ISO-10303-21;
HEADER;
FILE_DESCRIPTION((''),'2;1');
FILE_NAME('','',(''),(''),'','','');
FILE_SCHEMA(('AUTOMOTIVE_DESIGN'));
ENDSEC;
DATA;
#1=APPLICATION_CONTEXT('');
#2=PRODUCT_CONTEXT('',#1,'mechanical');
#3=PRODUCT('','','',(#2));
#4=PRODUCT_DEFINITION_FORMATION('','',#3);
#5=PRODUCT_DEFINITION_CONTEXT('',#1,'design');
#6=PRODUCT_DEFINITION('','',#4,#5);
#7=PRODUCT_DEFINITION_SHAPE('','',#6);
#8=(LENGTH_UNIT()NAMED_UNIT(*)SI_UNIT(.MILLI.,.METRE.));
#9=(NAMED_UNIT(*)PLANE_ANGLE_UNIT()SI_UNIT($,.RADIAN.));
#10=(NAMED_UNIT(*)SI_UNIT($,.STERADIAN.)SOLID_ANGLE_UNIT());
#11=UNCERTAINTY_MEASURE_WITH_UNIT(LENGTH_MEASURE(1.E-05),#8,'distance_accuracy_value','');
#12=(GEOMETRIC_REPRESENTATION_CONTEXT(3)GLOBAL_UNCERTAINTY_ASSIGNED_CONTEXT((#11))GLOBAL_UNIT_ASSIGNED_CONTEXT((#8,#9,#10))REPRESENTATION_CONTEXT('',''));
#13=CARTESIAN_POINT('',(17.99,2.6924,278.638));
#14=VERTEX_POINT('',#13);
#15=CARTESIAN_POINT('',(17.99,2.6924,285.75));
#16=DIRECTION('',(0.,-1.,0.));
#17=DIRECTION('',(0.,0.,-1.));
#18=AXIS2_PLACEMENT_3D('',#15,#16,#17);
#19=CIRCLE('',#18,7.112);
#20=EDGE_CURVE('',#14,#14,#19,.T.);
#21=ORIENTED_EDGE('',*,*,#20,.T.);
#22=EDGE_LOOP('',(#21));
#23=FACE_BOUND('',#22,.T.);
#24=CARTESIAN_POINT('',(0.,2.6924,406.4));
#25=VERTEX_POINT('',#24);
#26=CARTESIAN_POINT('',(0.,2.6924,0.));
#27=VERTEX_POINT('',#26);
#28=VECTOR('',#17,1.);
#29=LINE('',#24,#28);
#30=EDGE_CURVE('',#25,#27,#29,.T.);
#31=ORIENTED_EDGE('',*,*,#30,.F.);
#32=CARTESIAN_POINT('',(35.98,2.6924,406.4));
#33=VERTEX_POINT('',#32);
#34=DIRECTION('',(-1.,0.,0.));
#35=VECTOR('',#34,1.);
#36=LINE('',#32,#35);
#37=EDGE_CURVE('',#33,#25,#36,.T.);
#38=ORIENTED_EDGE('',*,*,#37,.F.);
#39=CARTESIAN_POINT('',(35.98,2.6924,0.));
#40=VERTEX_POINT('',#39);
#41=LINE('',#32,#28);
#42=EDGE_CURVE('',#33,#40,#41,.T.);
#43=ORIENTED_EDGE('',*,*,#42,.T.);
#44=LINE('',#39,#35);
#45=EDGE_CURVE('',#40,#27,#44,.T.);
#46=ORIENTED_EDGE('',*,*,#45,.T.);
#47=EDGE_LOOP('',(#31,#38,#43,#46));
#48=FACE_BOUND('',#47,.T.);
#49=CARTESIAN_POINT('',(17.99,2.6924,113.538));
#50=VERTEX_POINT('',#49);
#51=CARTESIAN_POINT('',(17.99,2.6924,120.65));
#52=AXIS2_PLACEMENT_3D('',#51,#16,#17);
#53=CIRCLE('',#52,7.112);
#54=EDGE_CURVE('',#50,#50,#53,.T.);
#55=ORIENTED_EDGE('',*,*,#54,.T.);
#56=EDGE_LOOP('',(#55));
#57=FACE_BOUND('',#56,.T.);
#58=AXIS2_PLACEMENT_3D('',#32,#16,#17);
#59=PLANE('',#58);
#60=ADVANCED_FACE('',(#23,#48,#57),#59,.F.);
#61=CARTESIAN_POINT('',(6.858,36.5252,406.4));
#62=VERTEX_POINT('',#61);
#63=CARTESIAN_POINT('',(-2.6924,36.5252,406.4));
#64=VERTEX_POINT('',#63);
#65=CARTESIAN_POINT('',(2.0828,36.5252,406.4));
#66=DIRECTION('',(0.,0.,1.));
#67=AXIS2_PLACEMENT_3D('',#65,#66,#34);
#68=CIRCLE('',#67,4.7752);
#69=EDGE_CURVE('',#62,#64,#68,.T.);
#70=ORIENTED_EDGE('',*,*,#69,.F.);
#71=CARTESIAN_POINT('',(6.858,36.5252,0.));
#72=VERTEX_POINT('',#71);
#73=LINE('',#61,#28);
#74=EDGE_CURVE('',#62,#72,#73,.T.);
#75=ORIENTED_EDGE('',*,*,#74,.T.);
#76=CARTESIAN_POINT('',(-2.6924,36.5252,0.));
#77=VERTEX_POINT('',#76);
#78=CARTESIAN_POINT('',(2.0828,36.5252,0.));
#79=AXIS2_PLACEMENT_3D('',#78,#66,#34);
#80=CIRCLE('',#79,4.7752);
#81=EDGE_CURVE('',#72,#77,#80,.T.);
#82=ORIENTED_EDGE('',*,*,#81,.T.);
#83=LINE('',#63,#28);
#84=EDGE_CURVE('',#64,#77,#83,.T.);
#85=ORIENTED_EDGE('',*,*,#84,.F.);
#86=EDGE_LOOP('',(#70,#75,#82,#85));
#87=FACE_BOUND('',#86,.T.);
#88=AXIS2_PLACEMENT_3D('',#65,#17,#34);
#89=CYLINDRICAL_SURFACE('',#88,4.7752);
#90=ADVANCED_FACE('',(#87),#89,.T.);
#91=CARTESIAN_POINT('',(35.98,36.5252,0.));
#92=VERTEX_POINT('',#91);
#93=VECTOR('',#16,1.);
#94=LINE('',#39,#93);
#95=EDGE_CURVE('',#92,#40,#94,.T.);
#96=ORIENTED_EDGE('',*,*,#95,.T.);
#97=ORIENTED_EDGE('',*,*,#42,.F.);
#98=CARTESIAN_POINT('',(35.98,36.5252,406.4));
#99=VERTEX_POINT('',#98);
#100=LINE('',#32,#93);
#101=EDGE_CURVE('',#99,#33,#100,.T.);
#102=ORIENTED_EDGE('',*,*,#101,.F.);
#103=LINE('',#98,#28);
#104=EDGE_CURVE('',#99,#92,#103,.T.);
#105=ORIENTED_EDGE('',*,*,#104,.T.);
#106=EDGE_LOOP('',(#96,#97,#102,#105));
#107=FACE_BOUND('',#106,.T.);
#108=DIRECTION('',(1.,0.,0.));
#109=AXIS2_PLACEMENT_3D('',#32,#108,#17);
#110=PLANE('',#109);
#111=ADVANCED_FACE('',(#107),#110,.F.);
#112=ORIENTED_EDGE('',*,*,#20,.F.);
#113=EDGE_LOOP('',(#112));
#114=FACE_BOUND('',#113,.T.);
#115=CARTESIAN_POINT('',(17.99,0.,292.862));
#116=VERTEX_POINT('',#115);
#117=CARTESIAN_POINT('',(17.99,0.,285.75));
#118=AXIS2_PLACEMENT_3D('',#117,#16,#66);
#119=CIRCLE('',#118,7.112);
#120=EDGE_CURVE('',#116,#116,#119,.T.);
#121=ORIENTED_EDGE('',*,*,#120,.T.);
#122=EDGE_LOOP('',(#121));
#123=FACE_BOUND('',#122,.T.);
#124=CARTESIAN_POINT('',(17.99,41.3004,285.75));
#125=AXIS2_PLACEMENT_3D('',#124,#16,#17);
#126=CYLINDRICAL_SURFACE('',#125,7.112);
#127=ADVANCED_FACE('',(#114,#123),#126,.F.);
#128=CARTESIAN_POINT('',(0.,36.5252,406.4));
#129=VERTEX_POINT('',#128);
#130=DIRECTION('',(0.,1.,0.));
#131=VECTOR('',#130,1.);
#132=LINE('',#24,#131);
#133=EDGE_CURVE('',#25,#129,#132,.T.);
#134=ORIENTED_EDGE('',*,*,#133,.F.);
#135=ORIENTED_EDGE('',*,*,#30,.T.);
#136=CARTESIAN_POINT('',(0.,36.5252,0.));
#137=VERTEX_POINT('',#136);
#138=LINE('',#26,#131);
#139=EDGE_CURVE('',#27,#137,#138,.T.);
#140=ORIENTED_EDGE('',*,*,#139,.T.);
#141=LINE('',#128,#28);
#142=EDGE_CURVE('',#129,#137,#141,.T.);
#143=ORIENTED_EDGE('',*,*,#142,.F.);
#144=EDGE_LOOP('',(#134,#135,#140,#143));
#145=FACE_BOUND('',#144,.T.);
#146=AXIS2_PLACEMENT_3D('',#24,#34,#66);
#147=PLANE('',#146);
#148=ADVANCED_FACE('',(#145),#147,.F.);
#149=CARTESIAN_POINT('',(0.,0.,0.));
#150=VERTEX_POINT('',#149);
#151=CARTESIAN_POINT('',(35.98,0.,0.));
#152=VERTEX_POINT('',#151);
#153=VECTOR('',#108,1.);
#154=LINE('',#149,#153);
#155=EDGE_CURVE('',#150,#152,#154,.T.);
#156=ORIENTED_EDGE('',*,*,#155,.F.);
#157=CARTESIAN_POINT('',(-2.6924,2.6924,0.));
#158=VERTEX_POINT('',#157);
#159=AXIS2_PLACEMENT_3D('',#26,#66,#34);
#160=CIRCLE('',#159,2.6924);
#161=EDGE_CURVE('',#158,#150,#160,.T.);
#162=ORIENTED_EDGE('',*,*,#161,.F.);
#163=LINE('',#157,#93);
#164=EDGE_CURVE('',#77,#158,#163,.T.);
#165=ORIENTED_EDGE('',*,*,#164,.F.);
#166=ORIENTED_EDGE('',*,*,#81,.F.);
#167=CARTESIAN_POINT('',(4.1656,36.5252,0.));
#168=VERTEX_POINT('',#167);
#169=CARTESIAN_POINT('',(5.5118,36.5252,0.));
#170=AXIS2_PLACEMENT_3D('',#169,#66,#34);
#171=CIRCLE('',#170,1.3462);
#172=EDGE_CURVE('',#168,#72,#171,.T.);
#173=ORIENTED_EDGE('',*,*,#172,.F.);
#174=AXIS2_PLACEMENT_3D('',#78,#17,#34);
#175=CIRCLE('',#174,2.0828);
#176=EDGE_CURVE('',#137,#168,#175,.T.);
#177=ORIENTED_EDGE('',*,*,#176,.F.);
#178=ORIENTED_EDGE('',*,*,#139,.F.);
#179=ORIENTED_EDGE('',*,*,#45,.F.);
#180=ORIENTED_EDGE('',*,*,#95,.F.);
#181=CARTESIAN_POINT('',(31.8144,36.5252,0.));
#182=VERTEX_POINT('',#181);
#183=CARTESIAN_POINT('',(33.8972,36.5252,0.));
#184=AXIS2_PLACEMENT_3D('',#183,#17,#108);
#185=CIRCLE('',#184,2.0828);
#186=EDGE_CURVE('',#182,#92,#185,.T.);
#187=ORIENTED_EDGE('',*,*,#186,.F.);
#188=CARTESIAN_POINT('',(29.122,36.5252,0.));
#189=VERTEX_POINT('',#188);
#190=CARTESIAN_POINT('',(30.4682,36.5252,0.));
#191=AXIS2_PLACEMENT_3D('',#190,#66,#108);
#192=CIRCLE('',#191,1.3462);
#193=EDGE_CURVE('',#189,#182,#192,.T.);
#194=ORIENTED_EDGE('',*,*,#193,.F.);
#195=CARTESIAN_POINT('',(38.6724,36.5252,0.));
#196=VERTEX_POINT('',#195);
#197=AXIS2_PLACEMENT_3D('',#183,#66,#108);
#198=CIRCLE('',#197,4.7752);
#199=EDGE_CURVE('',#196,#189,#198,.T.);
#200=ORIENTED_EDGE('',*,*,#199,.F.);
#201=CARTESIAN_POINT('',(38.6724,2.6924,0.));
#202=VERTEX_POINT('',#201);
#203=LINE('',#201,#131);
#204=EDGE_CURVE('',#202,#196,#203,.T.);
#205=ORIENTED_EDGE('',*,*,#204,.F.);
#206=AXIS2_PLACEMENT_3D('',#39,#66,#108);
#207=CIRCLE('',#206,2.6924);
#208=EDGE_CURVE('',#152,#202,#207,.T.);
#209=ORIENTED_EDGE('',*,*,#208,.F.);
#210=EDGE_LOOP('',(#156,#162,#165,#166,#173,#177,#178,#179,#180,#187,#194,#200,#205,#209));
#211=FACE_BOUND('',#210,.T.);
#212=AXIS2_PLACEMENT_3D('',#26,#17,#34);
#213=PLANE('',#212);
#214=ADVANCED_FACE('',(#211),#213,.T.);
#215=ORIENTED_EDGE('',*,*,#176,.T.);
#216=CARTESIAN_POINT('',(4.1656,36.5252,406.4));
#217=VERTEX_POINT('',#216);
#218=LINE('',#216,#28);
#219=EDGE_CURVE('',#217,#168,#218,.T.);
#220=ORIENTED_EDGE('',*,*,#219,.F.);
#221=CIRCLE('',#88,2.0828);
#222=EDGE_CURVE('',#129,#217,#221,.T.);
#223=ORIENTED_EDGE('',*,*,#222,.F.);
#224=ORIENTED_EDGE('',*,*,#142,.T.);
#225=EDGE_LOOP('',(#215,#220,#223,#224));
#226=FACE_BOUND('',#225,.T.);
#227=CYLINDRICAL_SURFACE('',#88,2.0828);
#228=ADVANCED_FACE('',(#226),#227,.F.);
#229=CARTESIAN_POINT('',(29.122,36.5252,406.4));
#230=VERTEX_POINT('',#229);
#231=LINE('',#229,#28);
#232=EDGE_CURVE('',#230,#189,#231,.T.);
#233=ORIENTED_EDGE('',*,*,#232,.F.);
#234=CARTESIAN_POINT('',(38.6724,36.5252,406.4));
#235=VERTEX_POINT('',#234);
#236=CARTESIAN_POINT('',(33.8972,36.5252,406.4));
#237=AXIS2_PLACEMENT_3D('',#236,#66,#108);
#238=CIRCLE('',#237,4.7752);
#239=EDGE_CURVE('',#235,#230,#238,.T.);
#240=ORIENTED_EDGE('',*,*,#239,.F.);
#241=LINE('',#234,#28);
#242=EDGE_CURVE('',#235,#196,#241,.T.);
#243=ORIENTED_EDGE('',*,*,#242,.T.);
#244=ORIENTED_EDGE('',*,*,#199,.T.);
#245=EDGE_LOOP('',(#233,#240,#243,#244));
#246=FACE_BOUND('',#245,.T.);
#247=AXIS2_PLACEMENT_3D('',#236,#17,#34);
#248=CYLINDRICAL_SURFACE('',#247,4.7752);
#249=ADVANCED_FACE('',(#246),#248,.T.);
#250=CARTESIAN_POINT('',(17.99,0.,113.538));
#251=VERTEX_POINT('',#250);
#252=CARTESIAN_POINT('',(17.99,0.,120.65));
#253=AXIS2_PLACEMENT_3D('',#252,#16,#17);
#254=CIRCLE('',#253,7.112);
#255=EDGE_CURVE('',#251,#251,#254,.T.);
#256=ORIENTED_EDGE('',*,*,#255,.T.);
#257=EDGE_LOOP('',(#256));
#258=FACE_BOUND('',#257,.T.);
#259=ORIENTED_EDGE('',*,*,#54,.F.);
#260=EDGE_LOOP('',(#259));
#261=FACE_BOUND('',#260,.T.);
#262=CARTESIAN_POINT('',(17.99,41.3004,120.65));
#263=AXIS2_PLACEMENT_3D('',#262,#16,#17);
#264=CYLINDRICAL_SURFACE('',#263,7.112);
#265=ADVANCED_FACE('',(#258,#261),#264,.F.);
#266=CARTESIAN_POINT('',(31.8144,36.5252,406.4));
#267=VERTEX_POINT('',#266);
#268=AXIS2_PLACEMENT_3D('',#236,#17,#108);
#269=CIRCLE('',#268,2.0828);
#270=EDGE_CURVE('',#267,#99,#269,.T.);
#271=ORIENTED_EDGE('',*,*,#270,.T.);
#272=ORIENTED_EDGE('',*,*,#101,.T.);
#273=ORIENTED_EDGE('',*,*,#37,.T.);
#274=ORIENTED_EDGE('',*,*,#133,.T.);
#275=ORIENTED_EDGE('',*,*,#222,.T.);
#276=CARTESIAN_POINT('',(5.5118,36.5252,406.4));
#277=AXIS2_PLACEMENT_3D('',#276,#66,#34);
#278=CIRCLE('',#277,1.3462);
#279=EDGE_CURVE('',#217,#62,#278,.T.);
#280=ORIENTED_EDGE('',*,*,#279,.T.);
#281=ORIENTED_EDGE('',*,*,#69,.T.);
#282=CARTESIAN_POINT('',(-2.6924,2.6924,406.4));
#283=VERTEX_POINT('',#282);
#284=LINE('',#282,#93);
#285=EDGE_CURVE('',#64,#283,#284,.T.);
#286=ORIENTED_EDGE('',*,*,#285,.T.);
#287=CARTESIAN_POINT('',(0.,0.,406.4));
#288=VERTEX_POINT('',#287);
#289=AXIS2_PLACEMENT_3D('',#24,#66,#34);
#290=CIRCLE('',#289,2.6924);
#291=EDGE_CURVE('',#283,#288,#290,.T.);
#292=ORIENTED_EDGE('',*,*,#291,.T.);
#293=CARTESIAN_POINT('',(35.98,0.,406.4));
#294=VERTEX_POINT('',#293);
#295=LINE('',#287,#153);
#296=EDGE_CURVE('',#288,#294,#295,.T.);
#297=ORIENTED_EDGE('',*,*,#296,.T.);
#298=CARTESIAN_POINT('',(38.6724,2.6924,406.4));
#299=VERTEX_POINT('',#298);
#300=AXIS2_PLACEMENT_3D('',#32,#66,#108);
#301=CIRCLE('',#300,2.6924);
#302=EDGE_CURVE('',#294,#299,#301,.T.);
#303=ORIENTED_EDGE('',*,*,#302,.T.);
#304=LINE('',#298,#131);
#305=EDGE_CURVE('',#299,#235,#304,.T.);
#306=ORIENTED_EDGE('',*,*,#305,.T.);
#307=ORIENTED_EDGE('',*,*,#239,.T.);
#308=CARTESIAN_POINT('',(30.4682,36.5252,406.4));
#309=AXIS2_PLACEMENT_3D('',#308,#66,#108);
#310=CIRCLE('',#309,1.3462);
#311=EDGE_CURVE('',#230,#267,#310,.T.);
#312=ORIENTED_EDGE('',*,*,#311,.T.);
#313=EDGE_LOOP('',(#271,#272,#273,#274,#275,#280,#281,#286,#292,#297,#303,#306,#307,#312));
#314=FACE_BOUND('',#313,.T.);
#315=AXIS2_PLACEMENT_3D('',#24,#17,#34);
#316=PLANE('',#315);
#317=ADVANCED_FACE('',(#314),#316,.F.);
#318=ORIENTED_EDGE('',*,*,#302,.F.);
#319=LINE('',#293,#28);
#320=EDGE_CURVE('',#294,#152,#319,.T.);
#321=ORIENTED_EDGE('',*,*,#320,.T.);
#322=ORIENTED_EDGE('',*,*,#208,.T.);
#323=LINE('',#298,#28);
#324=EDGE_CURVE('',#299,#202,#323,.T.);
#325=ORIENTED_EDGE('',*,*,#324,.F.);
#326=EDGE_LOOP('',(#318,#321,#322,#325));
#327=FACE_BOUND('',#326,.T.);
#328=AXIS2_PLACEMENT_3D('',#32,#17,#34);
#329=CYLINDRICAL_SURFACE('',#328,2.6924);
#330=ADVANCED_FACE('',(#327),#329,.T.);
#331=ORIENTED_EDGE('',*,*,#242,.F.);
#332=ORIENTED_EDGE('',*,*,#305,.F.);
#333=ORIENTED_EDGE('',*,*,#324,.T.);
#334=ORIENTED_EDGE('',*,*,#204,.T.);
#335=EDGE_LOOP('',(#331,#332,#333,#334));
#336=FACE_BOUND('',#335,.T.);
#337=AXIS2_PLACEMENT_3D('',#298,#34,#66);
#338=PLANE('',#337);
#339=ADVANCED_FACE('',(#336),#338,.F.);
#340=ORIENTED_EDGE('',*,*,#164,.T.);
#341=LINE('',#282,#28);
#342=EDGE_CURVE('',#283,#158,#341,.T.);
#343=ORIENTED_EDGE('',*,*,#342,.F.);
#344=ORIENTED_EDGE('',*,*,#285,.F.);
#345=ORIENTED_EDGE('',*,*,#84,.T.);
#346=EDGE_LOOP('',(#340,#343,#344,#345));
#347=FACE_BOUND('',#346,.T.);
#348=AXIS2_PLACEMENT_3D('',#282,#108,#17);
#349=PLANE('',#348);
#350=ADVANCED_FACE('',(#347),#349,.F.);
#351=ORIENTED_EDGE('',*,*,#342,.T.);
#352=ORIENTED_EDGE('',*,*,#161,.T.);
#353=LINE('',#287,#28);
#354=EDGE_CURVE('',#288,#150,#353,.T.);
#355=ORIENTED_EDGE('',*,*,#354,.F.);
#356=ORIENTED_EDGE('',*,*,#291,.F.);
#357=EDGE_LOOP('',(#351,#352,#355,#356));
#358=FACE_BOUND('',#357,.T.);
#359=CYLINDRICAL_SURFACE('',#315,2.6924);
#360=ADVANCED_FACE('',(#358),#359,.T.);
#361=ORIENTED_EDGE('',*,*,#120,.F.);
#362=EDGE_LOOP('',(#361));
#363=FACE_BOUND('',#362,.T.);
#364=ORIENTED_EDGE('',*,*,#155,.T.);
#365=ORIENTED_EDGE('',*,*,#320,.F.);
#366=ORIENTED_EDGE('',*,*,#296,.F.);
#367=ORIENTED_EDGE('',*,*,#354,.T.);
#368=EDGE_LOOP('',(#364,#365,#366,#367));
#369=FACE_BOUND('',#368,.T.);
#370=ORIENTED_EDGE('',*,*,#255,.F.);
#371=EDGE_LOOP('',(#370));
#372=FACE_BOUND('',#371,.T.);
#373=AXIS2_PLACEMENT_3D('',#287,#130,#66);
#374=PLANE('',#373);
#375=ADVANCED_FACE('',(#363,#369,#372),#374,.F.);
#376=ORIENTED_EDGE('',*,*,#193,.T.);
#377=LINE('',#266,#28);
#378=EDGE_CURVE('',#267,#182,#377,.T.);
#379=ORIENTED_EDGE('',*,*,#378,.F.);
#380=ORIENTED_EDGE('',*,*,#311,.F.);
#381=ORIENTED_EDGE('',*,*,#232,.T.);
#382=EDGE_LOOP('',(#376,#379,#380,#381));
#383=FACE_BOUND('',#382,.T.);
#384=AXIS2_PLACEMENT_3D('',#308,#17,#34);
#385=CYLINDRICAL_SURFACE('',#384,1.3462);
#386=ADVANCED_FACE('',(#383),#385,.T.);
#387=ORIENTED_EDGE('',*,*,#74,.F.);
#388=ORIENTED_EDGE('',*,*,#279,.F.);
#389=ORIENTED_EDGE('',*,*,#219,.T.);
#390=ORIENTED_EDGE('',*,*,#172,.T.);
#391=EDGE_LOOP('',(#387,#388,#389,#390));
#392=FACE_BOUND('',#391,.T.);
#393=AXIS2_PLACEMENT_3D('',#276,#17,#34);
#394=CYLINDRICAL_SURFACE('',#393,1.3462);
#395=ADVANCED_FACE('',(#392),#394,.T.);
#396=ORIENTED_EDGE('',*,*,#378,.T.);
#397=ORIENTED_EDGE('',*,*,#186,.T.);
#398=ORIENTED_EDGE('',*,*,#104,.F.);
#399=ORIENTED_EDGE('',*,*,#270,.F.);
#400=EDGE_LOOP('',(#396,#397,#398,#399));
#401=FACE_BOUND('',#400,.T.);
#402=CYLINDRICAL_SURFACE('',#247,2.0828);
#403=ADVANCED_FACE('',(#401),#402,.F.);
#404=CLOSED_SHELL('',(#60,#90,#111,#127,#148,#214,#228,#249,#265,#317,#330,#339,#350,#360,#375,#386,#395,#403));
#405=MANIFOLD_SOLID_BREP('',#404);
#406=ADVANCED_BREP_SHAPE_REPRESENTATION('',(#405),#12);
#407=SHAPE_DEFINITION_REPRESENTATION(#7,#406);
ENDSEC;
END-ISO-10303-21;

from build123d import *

# Parameters (mm, degrees)
EXTRUDE_1_DEPTH     = 406.4
SKETCH_2_R          = 7.112
CUT_EXTRUDE_1_DEPTH = 411.319677278


with BuildPart() as part:
    # 草图1 → 凸台-拉伸1 (new body)
    with BuildSketch(Plane.XY):
        with BuildLine():
            Line((0, 0), (35.98, 0))
            ThreePointArc((35.98, 0), (37.883814298, 0.788585702), (38.6724, 2.6924))
            Line((38.6724, 2.6924), (38.6724, 36.5252))
            ThreePointArc((38.6724, 36.5252), (33.8972, 41.3004), (29.122, 36.5252))
            ThreePointArc((29.122, 36.5252), (30.4682, 35.179), (31.8144, 36.5252))
            ThreePointArc((31.8144, 36.5252), (33.8972, 38.608), (35.98, 36.5252))
            Line((35.98, 36.5252), (35.98, 2.6924))
            Line((35.98, 2.6924), (0, 2.6924))
            Line((0, 2.6924), (0, 36.5252))
            ThreePointArc((0, 36.5252), (2.0828, 38.608), (4.1656, 36.5252))
            ThreePointArc((4.1656, 36.5252), (5.5118, 35.179), (6.858, 36.5252))
            ThreePointArc((6.858, 36.5252), (2.0828, 41.3004), (-2.6924, 36.5252))
            Line((-2.6924, 36.5252), (-2.6924, 2.6924))
            ThreePointArc((-2.6924, 2.6924), (-1.903814298, 0.788585702), (0, 0))
        make_face()
    extrude(amount=EXTRUDE_1_DEPTH)

    # 草图2 → 切除-拉伸1 (cut, through all)
    with BuildSketch(Plane(origin=(0, 0, 0), x_dir=(-1, 0, 0), z_dir=(0, -1, 0))):
        with Locations(Location((-17.99, -120.65, 0), (0, 0, 90))):
            Circle(SKETCH_2_R)
        with Locations(Location((-17.99, -285.75, 0), (0, 0, 90))):
            Circle(SKETCH_2_R)
    extrude(amount=-CUT_EXTRUDE_1_DEPTH, mode=Mode.SUBTRACT)


solid = part.part
